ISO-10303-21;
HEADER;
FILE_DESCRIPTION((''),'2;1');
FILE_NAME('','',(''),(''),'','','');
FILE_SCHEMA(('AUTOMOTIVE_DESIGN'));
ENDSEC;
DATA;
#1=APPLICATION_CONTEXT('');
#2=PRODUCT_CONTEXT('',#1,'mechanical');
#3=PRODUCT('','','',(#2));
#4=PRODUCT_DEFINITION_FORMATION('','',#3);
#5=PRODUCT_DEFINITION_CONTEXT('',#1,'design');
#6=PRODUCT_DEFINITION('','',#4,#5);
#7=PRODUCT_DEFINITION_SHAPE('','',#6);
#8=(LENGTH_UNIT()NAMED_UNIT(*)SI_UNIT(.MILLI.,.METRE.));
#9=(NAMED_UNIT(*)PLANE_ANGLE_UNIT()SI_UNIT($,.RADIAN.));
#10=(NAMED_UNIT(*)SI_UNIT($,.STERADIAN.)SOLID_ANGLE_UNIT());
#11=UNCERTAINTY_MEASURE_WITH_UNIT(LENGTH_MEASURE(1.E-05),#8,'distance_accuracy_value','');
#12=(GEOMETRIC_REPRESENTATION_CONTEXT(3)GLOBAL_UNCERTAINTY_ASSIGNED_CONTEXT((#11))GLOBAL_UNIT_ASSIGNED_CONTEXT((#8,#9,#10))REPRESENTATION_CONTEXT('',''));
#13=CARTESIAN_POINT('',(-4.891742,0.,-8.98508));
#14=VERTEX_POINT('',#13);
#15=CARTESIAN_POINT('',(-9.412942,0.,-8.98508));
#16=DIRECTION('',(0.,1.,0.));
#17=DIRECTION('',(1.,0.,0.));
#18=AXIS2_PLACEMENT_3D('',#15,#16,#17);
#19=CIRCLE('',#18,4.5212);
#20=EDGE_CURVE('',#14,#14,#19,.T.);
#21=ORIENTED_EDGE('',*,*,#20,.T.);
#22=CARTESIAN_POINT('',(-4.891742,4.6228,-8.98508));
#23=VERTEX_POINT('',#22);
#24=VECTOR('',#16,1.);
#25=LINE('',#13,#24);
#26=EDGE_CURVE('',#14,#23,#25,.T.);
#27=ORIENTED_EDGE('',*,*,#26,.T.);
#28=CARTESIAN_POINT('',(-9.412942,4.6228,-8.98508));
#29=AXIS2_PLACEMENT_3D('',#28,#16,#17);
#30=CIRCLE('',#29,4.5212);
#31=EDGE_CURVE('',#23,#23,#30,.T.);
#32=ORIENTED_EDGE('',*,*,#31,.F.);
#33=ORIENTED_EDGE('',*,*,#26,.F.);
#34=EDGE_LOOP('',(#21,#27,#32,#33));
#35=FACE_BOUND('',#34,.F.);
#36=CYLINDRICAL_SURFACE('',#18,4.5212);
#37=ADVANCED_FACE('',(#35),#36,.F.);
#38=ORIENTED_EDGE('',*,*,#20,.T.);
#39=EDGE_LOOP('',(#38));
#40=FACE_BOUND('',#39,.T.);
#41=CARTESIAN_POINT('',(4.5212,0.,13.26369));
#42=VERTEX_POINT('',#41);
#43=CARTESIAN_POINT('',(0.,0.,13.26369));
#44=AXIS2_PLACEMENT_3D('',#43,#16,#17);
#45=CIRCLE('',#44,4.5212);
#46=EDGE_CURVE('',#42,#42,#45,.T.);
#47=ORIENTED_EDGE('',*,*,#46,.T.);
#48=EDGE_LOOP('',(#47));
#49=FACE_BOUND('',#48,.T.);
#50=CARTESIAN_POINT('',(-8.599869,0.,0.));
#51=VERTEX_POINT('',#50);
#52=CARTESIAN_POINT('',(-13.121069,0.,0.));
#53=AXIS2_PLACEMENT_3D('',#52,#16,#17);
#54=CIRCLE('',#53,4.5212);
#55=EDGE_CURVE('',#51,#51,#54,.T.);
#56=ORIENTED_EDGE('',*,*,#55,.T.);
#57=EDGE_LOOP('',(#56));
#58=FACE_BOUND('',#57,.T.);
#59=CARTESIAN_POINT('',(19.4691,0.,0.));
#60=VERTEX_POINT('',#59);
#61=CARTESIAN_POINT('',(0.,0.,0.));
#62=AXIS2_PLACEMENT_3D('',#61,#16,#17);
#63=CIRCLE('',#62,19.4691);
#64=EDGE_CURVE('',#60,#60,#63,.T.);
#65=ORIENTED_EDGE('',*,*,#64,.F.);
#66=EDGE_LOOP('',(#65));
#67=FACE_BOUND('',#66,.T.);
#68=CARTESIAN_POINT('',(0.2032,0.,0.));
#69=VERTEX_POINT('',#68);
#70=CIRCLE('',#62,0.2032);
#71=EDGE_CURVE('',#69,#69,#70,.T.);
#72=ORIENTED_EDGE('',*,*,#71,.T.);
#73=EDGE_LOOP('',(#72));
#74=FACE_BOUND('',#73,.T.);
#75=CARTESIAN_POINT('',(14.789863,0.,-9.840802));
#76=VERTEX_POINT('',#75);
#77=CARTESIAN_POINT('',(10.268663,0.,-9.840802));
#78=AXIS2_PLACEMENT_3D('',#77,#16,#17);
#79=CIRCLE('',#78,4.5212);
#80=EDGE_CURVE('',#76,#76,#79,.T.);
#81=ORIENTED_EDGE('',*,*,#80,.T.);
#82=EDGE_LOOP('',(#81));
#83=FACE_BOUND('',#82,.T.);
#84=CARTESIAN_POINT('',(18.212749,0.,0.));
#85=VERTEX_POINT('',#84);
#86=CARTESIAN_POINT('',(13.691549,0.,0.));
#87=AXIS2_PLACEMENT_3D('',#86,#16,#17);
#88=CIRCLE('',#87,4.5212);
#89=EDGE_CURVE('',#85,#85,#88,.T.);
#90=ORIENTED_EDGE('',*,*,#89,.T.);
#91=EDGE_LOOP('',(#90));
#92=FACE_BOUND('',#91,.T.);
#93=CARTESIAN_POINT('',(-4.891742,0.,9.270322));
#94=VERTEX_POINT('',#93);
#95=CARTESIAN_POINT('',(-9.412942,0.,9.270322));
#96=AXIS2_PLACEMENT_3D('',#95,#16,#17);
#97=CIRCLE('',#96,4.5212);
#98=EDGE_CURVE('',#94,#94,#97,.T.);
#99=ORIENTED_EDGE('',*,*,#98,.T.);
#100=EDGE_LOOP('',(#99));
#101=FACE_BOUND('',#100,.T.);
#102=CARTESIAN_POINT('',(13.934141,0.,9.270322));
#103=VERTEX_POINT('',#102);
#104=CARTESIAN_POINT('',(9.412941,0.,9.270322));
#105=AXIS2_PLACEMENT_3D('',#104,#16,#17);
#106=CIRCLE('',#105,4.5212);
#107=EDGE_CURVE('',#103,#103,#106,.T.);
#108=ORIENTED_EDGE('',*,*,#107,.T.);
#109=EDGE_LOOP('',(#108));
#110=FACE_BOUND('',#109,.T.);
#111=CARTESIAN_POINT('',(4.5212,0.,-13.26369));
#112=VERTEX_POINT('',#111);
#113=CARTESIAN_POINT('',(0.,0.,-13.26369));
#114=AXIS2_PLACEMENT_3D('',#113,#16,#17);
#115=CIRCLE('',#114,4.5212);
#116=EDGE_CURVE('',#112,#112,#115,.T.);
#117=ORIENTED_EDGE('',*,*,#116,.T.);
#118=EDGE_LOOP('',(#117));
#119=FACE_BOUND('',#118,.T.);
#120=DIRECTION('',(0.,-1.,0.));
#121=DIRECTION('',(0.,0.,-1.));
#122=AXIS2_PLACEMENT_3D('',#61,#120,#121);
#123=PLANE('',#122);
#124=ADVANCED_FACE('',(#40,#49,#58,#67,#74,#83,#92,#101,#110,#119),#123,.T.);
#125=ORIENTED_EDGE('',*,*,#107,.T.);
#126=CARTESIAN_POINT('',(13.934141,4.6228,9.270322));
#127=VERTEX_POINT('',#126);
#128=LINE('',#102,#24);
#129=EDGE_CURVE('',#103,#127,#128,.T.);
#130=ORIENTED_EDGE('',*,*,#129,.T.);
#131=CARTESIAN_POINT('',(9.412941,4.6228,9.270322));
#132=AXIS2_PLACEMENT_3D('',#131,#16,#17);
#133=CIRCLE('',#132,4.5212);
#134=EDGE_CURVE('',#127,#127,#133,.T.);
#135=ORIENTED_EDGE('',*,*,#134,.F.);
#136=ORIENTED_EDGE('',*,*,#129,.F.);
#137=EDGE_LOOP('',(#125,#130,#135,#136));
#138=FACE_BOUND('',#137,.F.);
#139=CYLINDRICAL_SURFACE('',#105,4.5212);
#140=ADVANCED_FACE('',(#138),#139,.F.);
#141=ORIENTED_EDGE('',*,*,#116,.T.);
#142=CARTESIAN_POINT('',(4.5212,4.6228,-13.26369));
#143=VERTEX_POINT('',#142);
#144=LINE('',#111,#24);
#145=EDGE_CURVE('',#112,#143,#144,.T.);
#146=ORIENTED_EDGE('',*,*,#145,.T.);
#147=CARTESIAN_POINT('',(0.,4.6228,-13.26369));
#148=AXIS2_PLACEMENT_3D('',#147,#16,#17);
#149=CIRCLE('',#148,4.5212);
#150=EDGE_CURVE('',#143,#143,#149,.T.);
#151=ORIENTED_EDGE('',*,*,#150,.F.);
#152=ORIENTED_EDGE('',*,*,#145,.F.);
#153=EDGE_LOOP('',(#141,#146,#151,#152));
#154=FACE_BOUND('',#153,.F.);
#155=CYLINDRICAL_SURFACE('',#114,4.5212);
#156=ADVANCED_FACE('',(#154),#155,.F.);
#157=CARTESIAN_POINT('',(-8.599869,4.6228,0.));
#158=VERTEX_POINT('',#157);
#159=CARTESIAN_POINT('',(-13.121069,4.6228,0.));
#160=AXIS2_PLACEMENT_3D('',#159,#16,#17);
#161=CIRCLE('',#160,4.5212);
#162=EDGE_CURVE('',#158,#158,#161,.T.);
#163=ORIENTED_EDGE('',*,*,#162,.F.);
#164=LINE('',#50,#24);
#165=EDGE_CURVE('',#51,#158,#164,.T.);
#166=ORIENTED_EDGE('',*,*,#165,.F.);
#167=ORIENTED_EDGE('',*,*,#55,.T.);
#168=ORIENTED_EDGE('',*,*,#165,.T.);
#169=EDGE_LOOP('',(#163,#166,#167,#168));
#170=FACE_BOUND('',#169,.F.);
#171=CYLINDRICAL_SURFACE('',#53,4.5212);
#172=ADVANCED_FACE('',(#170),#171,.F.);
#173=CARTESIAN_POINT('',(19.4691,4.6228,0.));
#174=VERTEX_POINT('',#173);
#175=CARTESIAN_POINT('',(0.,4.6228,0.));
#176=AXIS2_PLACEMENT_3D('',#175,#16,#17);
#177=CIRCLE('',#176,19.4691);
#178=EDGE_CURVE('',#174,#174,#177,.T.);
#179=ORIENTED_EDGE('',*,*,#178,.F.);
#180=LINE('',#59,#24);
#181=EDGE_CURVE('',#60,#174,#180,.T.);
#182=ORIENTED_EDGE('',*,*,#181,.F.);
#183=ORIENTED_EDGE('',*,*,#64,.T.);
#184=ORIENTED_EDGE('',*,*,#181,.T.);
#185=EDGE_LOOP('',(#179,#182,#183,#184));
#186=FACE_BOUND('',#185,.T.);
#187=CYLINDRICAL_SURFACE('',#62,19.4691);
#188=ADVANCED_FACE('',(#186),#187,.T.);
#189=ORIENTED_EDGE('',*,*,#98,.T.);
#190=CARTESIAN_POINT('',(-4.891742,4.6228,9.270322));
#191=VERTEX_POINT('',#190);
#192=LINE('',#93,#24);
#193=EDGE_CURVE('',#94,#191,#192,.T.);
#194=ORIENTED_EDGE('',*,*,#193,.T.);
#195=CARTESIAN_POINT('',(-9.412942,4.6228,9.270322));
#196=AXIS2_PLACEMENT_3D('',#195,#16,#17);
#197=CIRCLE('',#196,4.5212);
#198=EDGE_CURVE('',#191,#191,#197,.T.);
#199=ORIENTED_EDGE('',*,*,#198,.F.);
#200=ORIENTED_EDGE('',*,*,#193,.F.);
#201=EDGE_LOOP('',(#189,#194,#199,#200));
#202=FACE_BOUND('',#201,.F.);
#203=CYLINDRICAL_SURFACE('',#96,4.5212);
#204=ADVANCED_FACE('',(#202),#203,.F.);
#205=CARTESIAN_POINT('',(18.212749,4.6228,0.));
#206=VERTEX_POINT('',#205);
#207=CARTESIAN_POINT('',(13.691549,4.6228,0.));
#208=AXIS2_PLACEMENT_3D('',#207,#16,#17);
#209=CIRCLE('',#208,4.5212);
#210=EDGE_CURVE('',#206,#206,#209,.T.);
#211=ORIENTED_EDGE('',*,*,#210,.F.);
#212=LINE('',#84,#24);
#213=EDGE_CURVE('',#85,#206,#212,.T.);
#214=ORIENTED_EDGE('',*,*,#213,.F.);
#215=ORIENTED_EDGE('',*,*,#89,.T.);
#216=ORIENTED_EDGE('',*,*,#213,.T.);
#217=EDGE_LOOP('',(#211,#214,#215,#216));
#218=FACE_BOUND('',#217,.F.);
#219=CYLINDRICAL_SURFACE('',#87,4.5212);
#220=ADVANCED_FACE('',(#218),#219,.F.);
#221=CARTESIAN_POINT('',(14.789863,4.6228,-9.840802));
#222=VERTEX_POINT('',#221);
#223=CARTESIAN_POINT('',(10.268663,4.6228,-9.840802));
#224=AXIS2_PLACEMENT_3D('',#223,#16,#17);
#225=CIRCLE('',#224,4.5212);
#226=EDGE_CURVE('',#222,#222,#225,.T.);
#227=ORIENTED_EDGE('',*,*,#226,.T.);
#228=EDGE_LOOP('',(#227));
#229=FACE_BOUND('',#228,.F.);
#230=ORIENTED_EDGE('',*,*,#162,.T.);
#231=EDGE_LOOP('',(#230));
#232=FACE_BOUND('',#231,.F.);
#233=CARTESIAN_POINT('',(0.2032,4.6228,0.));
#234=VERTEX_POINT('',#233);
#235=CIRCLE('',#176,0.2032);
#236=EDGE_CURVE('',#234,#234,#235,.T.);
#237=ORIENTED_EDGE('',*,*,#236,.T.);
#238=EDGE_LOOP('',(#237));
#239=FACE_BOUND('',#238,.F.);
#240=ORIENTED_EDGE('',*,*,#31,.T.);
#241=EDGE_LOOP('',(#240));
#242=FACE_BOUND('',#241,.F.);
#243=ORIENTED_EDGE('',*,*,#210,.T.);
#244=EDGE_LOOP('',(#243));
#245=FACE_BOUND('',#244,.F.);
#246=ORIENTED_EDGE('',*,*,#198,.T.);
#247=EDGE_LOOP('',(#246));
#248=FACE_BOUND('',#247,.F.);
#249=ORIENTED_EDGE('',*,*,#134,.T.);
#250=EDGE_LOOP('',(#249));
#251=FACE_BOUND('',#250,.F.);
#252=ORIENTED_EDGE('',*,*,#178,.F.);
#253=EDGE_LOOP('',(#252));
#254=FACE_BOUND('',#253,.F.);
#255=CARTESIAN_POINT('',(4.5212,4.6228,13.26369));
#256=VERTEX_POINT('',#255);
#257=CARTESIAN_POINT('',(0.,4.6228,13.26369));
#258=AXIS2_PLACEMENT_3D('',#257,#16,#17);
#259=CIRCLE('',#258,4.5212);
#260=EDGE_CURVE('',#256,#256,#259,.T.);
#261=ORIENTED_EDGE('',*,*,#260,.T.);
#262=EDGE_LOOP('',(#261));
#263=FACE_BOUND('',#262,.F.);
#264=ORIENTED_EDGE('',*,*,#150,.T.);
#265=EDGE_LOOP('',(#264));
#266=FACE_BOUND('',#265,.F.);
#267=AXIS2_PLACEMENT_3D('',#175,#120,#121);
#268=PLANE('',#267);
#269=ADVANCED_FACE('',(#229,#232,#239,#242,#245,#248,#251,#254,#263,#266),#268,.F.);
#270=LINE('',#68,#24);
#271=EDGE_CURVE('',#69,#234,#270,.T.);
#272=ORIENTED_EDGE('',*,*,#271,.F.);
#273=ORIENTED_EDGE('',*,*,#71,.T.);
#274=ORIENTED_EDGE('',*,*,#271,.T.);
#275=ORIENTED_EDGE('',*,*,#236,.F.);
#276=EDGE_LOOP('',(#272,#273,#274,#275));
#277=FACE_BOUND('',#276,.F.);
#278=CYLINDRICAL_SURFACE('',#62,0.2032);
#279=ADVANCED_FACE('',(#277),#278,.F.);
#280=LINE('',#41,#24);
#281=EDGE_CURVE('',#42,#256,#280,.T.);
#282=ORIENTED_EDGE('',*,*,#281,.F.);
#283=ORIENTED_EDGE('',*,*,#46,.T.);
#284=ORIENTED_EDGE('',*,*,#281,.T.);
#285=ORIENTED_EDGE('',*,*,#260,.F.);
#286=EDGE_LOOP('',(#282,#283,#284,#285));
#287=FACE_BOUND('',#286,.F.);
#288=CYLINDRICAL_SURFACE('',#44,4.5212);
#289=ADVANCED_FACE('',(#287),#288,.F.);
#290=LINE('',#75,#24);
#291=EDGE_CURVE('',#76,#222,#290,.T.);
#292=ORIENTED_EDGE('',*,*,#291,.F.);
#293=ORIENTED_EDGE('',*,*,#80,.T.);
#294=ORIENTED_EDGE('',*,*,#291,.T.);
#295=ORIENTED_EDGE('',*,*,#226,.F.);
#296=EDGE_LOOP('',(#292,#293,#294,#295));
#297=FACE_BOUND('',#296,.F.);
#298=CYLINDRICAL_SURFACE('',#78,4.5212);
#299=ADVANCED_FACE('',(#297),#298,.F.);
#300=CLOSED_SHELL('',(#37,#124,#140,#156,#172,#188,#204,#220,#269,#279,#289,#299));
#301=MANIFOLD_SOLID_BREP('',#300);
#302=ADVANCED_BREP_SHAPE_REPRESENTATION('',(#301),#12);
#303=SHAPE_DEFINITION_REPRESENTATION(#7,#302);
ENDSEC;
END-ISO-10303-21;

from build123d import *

# Parameters (mm, degrees)
F0_R   = 19.4691
F0_R_2 = 4.5212
F0_R_3 = 0.2032


with BuildPart() as f2:
    # F2: sweep along a path in F1
    with BuildLine(Plane.YZ) as f2_path:
        Line((0, 0), (4.6228, 0))
    # F0 (on Front) → F2 (sweep)
    with BuildSketch(Plane.XZ):
        Circle(F0_R)
        with Locations((-9.412942, -8.98508)):
            Circle(F0_R_2, mode=Mode.SUBTRACT)
        with Locations((0, -13.26369)):
            Circle(F0_R_2, mode=Mode.SUBTRACT)
        with Locations((10.268663, -9.840802)):
            Circle(F0_R_2, mode=Mode.SUBTRACT)
        with Locations((-13.121069, 0)):
            Circle(F0_R_2, mode=Mode.SUBTRACT)
        with Locations((-9.412942, 9.270322)):
            Circle(F0_R_2, mode=Mode.SUBTRACT)
        Circle(F0_R_3, mode=Mode.SUBTRACT)
        with Locations((9.412941, 9.270322)):
            Circle(F0_R_2, mode=Mode.SUBTRACT)
        with Locations((13.691549, 0)):
            Circle(F0_R_2, mode=Mode.SUBTRACT)
        with Locations((0, 13.26369)):
            Circle(F0_R_2, mode=Mode.SUBTRACT)
    sweep(path=f2_path.line)


solid = f2.part
